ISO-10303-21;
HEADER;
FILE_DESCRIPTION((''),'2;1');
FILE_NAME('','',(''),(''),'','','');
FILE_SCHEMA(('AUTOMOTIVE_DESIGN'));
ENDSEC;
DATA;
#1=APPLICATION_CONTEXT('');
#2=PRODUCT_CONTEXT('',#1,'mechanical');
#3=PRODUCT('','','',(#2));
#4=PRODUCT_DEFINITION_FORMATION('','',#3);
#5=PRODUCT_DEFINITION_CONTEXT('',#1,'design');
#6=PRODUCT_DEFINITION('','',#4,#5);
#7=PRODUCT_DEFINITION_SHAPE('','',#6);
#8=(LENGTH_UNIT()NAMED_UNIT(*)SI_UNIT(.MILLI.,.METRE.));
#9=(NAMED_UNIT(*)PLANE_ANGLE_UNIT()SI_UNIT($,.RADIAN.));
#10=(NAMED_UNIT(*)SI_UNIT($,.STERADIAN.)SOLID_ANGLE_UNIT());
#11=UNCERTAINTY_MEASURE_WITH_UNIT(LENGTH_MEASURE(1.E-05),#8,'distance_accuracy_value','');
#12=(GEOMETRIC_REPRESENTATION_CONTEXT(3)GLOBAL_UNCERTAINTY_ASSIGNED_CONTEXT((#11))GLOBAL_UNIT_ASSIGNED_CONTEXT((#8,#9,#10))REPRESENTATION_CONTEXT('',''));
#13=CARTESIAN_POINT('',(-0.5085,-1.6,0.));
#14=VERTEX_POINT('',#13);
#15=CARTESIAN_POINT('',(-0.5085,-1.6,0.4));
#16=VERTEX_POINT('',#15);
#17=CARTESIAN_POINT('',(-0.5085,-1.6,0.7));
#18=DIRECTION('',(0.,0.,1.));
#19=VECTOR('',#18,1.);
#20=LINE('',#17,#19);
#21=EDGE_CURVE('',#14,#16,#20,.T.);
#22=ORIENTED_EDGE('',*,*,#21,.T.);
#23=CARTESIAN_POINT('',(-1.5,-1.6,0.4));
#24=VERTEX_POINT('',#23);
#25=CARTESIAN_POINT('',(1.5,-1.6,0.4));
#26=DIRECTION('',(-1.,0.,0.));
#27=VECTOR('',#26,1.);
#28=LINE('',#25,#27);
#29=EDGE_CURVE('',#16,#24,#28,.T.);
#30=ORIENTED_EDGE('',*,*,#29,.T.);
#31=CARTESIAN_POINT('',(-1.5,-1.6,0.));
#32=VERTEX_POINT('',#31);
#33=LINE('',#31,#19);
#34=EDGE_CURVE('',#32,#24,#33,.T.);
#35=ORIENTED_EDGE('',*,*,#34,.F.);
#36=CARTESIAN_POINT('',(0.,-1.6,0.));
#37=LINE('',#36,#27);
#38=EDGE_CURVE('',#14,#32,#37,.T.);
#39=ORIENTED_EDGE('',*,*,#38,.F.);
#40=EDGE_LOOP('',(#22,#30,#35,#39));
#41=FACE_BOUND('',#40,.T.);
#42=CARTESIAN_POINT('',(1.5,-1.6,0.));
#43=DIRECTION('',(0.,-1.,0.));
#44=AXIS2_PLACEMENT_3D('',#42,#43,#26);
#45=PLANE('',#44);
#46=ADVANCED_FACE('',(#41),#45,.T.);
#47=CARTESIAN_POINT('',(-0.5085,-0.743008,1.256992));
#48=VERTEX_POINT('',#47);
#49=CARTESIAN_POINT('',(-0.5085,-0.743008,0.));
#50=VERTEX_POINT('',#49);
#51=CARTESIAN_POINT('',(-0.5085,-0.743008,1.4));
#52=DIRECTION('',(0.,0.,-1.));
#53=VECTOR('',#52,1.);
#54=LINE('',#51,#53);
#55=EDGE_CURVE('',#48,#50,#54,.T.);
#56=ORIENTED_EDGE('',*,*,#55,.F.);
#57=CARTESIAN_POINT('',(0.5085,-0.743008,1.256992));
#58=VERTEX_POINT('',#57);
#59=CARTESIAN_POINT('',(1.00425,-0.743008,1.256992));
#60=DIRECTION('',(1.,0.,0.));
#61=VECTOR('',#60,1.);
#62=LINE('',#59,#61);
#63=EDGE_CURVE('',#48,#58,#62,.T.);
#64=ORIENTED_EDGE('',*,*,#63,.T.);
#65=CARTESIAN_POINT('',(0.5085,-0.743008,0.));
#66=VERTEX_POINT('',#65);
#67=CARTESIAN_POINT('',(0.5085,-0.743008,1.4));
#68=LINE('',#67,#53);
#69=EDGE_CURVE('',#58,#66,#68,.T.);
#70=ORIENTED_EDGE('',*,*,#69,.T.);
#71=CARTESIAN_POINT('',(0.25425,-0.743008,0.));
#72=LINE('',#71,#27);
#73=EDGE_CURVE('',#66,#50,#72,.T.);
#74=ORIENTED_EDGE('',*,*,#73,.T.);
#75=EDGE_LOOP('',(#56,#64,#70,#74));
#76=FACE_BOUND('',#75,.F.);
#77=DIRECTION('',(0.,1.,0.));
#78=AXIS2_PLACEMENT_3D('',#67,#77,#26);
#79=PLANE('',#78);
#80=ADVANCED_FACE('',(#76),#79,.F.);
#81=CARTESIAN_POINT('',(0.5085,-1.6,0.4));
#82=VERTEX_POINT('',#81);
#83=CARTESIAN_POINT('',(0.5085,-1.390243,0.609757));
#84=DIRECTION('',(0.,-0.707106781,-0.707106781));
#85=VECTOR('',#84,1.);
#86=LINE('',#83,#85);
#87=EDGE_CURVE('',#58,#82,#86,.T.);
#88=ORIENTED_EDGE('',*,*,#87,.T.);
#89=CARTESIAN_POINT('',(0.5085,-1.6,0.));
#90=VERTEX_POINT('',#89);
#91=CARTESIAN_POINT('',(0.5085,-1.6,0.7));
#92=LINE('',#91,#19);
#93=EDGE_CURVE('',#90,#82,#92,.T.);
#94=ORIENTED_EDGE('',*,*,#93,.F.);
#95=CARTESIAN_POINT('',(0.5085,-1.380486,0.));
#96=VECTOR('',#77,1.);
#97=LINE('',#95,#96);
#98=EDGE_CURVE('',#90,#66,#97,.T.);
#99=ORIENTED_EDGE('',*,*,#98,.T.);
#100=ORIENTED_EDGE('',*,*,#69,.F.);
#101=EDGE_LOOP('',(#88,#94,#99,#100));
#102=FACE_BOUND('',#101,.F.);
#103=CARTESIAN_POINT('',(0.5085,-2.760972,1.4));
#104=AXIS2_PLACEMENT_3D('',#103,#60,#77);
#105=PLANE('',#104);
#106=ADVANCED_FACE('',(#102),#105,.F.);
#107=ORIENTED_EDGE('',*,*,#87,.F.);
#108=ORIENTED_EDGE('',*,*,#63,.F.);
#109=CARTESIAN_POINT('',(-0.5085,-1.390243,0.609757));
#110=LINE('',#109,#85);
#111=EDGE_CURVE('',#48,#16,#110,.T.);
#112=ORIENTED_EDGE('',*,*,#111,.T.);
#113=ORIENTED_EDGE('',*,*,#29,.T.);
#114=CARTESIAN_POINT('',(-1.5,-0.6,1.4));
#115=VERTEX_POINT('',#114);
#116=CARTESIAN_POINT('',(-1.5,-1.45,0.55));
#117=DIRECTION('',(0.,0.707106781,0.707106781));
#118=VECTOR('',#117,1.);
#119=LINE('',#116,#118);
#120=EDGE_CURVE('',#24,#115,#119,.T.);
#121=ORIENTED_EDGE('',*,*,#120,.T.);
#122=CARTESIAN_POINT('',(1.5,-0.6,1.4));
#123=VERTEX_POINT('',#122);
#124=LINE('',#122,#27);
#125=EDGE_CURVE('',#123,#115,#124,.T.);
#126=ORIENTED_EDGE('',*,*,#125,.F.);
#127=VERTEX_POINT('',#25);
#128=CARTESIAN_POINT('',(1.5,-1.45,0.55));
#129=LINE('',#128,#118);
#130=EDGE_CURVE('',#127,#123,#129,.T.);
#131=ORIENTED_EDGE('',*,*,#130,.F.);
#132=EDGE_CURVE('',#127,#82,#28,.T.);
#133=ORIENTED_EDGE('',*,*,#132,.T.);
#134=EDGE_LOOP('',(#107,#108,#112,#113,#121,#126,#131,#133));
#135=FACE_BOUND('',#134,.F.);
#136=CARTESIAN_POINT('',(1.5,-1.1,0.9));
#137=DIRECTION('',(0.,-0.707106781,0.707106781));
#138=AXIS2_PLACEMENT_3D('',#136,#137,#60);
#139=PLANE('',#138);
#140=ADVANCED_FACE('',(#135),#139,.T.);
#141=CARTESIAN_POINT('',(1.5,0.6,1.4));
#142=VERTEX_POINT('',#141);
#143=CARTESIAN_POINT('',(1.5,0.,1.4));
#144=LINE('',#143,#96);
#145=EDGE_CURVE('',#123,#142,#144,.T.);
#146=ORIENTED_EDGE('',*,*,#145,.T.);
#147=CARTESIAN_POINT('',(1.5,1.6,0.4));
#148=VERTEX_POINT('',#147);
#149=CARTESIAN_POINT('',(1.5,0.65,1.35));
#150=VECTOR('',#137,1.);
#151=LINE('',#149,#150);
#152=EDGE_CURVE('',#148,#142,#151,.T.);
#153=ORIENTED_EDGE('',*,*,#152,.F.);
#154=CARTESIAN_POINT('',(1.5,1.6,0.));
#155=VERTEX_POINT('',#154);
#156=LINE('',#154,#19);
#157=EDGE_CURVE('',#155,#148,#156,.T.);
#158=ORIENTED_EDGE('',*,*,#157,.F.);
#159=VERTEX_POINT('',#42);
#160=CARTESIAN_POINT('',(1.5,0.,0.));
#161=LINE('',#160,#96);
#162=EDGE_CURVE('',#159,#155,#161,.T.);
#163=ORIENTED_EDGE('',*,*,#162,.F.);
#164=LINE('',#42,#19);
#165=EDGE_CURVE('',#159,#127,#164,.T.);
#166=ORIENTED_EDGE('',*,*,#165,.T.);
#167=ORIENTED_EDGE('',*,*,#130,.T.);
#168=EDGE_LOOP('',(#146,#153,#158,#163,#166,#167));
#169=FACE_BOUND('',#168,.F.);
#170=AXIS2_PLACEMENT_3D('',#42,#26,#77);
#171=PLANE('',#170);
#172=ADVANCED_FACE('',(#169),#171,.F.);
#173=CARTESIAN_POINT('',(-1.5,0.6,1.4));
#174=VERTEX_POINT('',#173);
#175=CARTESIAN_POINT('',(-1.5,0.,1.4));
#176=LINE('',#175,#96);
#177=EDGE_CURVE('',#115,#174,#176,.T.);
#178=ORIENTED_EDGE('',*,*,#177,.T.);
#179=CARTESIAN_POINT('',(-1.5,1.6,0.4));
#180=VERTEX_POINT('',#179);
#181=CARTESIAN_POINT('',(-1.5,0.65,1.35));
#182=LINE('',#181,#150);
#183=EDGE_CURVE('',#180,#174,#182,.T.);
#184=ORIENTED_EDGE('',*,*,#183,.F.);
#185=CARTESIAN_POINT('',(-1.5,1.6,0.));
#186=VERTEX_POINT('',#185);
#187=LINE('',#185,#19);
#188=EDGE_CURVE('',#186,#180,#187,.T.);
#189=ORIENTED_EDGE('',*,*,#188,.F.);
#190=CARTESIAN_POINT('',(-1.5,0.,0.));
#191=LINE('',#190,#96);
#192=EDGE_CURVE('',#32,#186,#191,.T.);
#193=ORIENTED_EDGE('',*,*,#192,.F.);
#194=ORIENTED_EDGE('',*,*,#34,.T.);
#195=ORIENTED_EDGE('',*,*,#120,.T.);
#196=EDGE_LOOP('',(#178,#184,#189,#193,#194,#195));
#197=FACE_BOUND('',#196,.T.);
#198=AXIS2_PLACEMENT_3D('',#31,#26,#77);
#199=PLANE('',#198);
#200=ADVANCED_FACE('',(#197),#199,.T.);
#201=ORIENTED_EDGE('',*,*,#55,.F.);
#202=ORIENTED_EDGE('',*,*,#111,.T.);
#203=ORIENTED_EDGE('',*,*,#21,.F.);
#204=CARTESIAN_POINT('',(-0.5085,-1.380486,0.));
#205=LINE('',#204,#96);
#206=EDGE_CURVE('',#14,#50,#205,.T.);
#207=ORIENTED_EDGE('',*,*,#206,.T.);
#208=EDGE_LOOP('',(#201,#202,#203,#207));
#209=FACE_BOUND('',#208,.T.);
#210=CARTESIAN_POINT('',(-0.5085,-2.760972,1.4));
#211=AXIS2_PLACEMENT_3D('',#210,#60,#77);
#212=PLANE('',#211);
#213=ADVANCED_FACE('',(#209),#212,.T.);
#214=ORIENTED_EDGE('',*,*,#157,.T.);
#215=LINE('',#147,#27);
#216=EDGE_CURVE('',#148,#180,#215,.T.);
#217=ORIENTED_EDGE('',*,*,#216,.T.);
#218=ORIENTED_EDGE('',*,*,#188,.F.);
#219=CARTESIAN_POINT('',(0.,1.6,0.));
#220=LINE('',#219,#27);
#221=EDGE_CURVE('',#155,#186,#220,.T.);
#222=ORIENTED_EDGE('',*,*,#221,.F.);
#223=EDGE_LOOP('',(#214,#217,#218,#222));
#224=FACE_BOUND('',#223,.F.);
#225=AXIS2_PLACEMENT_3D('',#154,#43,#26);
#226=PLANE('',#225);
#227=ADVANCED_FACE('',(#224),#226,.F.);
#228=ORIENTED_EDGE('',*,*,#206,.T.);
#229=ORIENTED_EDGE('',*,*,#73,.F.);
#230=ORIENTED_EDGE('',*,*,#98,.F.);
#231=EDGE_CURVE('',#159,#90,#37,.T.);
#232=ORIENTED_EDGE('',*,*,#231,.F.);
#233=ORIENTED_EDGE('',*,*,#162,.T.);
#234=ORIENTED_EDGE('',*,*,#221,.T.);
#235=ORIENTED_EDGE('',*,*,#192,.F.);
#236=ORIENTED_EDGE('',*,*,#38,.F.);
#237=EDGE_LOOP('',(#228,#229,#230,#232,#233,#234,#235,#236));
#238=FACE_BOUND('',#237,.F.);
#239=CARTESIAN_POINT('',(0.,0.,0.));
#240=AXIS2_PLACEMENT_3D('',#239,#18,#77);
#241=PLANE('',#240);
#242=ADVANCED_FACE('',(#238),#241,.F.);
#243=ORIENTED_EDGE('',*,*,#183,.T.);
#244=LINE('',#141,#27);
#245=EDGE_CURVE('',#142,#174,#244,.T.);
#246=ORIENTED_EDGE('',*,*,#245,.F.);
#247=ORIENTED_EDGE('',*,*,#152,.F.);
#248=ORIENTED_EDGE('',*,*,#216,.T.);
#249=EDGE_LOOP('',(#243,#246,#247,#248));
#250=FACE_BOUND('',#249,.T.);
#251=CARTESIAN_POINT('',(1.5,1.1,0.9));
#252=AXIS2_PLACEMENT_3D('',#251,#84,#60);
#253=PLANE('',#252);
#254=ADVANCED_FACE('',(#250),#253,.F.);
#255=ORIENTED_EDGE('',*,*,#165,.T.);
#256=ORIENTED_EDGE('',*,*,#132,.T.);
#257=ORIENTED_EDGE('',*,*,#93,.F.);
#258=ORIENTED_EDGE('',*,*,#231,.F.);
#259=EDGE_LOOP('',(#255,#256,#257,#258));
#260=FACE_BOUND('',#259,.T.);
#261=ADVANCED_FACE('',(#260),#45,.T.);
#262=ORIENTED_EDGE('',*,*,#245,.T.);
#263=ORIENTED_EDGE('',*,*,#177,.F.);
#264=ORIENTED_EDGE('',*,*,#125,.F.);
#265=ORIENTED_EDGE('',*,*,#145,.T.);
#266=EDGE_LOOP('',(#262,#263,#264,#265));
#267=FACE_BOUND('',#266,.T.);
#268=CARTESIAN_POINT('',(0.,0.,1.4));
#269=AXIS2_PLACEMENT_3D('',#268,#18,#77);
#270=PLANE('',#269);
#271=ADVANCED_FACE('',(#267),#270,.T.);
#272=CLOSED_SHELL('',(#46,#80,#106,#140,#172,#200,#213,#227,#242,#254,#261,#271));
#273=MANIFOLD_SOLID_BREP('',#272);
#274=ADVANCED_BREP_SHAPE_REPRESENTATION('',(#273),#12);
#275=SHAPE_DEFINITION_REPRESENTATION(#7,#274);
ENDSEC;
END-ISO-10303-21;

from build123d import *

# Parameters (mm, degrees)
SKETCH_W             = 3.2
SKETCH_H             = 3
PAD_DEPTH            = 1.4
CHAMFER_SIZE         = 1
SKETCH001_W          = 2.017963
SKETCH001_H          = 1.017
POCKET_DEPTH         = 5
BODY_PLACEMENT_ANGLE = 90


with BuildPart() as part:
    # Sketch → Pad (new body)
    with BuildSketch(Plane.XY):
        Rectangle(SKETCH_W, SKETCH_H)
    extrude(amount=PAD_DEPTH)

    # Chamfer
    chamfer_edges = [part.edges().sort_by_distance(p)[0] for p in [
        (-1.6, 0, 1.4),
        (1.6, 0, 1.4),
    ]]
    chamfer(chamfer_edges, length=CHAMFER_SIZE)

    # Sketch001 (on Face5 of Chamfer) → Pocket (cut)
    with BuildSketch(Plane.XY.offset(1.4)):
        with Locations((-1.75199, 0)):
            Rectangle(SKETCH001_W, SKETCH001_H)
    extrude(amount=-POCKET_DEPTH, mode=Mode.SUBTRACT)


with BuildPart() as part_1:
    # Body placement: moved
    add(part.part.rotate(Axis((0, 0, 0), (0, 0, 1)), BODY_PLACEMENT_ANGLE))


solid = part_1.part
